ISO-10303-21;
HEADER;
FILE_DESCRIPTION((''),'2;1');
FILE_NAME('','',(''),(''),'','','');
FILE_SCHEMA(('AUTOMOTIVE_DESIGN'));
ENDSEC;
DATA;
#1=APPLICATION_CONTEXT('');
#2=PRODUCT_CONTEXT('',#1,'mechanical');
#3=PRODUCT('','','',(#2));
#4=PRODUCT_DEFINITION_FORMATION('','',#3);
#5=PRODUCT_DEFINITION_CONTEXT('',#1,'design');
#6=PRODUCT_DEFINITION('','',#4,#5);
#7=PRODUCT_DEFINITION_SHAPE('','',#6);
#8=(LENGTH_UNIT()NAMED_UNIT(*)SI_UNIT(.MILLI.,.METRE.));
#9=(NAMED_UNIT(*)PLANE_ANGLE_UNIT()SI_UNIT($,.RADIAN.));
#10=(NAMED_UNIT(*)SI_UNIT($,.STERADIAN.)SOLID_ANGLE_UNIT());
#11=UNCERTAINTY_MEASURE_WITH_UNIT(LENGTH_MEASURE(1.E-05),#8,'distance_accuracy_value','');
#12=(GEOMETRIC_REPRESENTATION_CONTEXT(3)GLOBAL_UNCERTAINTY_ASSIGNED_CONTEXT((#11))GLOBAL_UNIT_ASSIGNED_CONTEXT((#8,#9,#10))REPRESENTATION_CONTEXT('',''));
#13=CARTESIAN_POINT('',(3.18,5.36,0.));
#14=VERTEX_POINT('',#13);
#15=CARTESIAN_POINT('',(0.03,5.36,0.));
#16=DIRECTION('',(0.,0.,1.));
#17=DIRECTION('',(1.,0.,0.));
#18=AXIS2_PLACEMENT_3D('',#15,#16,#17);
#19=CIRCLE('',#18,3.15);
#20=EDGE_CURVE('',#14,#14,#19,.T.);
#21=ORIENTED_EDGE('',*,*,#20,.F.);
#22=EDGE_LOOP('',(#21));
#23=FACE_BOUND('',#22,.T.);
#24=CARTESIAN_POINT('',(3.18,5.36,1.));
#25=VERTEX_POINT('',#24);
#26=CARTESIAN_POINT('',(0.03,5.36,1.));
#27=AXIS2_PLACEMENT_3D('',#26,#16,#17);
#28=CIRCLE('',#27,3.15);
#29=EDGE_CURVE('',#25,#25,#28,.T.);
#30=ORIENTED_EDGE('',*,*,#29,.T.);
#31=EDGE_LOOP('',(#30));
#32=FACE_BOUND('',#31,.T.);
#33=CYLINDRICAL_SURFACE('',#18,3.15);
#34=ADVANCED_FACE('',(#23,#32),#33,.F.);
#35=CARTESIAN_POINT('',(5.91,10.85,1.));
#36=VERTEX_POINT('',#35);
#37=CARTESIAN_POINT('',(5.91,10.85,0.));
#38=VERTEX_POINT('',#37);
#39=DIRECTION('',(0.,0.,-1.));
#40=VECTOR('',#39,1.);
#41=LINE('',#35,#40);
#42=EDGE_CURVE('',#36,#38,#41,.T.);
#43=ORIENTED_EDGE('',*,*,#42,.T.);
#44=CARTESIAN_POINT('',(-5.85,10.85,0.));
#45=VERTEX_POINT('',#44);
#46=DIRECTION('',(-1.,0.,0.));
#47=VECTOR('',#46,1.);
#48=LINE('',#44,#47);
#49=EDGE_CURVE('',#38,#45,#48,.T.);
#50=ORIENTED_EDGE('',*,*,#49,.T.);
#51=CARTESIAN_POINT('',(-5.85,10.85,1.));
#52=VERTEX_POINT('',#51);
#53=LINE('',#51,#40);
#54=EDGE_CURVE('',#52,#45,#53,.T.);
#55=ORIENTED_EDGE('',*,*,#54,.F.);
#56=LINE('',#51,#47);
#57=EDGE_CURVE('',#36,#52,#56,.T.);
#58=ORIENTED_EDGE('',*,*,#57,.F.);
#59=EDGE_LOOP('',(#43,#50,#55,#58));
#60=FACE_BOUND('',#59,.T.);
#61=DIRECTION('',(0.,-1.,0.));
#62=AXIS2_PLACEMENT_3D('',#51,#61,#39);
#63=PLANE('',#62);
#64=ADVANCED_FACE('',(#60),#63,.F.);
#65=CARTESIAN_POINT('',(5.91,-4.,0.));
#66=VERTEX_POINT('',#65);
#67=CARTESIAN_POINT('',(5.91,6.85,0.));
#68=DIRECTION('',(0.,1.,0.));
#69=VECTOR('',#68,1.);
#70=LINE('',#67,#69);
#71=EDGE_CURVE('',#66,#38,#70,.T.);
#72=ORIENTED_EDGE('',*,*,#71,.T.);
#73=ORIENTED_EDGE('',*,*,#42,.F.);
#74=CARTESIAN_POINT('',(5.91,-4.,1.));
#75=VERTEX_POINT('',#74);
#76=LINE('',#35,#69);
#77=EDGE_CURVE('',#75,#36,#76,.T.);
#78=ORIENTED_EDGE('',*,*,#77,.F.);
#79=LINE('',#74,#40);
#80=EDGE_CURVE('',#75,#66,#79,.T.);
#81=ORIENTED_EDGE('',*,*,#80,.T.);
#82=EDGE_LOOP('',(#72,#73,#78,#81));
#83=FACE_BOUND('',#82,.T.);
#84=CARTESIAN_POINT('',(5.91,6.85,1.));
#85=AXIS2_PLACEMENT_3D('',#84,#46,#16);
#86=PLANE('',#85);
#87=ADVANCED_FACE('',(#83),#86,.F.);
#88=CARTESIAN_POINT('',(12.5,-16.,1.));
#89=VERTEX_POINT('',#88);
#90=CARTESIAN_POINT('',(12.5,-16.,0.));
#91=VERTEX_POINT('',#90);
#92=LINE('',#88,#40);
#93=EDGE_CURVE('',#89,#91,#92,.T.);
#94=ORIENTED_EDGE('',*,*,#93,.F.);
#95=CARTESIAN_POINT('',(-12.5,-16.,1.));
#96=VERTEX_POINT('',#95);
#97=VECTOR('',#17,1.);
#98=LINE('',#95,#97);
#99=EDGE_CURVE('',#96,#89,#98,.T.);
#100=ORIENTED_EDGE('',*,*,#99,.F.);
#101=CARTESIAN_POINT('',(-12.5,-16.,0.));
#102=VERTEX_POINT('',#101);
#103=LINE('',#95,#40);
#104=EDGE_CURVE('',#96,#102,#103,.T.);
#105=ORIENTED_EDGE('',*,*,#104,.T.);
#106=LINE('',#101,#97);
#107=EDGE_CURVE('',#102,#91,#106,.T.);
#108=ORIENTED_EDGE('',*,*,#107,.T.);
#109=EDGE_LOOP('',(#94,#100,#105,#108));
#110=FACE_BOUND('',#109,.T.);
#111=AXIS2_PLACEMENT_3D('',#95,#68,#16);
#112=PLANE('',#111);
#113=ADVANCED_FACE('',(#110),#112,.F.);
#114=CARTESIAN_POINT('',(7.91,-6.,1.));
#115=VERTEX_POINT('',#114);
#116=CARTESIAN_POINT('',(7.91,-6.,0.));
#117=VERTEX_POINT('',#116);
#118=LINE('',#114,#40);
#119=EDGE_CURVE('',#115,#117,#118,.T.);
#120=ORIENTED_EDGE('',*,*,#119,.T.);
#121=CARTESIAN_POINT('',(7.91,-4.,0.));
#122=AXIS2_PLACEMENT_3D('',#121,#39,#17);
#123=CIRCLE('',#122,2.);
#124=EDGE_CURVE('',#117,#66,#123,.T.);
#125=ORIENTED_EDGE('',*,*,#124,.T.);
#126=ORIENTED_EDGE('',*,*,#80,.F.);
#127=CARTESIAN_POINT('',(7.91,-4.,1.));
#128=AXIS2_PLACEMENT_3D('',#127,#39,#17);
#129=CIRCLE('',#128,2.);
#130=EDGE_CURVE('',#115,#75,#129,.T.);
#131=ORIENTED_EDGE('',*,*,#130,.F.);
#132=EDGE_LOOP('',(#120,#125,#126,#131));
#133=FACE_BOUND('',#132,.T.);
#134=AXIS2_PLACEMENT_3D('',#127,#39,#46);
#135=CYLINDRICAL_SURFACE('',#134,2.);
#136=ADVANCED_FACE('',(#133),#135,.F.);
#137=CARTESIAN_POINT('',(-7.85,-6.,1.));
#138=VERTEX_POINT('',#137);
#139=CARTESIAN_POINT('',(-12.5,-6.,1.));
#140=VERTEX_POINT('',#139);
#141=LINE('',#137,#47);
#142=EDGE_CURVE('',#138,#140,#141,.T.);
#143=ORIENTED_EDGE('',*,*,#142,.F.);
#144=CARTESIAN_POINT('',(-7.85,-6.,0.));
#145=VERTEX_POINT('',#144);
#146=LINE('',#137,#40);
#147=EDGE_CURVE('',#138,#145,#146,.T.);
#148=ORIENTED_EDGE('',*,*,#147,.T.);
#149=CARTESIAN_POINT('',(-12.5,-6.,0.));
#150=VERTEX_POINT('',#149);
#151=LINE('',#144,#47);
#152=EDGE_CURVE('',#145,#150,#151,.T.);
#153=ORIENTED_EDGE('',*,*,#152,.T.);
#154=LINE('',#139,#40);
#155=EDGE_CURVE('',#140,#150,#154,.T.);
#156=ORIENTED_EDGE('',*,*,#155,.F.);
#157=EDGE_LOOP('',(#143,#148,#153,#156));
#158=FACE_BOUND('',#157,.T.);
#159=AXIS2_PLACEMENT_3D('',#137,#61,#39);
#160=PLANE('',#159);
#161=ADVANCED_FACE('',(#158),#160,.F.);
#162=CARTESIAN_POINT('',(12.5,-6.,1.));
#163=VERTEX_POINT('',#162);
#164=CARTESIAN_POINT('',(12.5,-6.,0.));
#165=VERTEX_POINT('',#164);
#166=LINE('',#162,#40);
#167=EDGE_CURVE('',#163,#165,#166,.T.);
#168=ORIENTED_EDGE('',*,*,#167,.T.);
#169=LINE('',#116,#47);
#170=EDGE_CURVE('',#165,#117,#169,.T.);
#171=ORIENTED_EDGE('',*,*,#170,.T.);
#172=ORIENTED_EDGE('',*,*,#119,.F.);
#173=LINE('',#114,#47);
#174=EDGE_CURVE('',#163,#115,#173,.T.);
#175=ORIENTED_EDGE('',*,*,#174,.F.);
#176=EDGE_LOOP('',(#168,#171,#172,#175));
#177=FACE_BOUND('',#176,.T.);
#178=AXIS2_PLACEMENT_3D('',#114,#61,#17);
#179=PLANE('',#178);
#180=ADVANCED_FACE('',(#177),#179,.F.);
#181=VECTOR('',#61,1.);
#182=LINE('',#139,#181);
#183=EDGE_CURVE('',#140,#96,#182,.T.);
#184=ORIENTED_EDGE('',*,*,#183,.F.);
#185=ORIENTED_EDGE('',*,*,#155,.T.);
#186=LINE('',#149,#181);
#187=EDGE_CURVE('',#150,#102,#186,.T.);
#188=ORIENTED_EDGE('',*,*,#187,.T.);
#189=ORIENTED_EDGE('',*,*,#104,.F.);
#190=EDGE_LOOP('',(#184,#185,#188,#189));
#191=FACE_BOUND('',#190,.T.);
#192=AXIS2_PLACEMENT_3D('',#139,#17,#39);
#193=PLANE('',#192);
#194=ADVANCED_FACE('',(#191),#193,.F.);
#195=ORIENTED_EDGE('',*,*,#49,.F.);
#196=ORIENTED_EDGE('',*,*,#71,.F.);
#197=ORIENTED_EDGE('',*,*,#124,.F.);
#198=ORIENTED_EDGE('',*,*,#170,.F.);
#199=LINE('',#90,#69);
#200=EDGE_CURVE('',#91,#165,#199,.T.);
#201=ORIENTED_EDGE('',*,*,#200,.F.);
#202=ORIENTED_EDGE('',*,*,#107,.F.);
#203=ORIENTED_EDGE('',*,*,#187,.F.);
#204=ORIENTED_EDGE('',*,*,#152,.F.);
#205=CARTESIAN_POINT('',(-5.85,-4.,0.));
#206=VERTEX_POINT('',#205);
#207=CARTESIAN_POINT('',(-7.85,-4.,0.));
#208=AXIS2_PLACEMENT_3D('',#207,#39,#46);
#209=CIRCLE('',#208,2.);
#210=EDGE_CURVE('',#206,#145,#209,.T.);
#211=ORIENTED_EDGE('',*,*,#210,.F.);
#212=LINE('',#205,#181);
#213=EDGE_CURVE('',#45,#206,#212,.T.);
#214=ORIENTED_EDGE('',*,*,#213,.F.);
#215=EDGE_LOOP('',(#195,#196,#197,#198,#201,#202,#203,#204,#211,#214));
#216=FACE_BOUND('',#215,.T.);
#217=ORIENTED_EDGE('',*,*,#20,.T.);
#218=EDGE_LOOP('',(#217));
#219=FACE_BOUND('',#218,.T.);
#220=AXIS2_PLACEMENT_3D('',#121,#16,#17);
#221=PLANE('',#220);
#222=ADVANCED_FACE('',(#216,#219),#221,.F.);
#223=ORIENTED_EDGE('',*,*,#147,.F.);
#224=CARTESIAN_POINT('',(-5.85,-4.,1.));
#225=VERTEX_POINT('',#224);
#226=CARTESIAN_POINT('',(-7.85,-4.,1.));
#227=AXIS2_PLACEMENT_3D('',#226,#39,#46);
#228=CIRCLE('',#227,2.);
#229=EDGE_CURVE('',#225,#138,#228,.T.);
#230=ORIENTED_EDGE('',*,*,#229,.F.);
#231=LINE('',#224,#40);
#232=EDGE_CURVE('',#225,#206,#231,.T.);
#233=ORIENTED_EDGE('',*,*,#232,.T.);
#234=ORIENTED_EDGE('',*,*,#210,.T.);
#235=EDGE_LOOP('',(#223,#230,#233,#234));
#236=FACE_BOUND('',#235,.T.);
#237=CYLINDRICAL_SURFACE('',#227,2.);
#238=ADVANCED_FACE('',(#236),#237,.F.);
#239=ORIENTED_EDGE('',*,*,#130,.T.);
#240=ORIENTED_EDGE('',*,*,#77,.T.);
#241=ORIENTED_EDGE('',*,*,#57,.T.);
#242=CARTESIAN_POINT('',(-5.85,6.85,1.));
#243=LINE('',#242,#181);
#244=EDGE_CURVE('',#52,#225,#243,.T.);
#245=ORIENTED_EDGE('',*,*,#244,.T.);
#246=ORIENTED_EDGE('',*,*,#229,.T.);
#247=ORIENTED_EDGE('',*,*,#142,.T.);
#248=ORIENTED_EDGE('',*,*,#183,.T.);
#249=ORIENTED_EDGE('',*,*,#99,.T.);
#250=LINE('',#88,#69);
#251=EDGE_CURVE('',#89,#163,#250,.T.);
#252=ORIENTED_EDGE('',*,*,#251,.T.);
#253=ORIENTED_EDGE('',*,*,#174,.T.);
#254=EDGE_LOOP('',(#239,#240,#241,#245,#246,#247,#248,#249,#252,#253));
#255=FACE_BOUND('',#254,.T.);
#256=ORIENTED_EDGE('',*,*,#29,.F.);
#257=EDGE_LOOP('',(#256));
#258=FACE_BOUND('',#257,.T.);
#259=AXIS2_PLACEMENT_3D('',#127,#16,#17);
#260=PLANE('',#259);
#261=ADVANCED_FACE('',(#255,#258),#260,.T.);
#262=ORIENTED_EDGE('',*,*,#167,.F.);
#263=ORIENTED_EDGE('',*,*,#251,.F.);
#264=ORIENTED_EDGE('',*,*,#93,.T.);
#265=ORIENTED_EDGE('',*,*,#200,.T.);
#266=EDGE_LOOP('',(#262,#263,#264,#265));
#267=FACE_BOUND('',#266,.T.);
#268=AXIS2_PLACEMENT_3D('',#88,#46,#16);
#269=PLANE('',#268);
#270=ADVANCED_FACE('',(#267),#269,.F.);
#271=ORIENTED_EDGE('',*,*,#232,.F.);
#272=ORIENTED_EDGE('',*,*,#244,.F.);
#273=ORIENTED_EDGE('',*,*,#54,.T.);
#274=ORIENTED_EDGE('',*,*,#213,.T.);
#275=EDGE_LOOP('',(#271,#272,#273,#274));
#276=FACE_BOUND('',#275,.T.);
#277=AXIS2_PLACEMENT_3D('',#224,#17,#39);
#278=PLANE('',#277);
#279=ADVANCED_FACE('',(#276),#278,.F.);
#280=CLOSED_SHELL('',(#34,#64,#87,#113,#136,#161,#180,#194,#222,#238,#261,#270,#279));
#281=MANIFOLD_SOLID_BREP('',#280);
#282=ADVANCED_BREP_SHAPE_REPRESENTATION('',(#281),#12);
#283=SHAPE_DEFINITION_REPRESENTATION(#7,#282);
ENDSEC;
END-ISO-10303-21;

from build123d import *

# Parameters (mm, degrees)
DODANIE_WYCI_GNI_CIE1_DEPTH = 1
SZKIC2_R                    = 3.15
WYTNIJ_WYCI_GNI_CIE1_DEPTH  = 1


with BuildPart() as part:
    # Szkic1 → Dodanie-wyciągnięcie1 (new body)
    with BuildSketch(Plane.XY):
        with BuildLine():
            Line((-12.5, -6), (-12.5, -16))
            Line((-12.5, -16), (12.5, -16))
            Line((12.5, -16), (12.5, -6))
            Line((12.5, -6), (7.91, -6))
            ThreePointArc((7.91, -6), (6.495786438, -5.414213562), (5.91, -4))
            Line((5.91, -4), (5.91, 5.45))
            Line((5.91, 5.45), (5.91, 6.85))
            Line((5.91, 6.85), (5.91, 10.85))
            Line((5.91, 10.85), (-5.85, 10.85))
            Line((-5.85, 10.85), (-5.85, 6.85))
            Line((-5.85, 6.85), (-5.85, 5.45))
            Line((-5.85, 5.45), (-5.85, -4))
            ThreePointArc((-5.85, -4), (-6.435786438, -5.414213562), (-7.85, -6))
            Line((-7.85, -6), (-12.5, -6))
        make_face()
    extrude(amount=DODANIE_WYCI_GNI_CIE1_DEPTH)

    # Szkic2 → Wytnij-wyciągnięcie1 (cut)
    with BuildSketch(Plane.XY.offset(1)):
        with Locations((0.03, 5.36)):
            Circle(SZKIC2_R)
    extrude(amount=-WYTNIJ_WYCI_GNI_CIE1_DEPTH, mode=Mode.SUBTRACT)


solid = part.part
